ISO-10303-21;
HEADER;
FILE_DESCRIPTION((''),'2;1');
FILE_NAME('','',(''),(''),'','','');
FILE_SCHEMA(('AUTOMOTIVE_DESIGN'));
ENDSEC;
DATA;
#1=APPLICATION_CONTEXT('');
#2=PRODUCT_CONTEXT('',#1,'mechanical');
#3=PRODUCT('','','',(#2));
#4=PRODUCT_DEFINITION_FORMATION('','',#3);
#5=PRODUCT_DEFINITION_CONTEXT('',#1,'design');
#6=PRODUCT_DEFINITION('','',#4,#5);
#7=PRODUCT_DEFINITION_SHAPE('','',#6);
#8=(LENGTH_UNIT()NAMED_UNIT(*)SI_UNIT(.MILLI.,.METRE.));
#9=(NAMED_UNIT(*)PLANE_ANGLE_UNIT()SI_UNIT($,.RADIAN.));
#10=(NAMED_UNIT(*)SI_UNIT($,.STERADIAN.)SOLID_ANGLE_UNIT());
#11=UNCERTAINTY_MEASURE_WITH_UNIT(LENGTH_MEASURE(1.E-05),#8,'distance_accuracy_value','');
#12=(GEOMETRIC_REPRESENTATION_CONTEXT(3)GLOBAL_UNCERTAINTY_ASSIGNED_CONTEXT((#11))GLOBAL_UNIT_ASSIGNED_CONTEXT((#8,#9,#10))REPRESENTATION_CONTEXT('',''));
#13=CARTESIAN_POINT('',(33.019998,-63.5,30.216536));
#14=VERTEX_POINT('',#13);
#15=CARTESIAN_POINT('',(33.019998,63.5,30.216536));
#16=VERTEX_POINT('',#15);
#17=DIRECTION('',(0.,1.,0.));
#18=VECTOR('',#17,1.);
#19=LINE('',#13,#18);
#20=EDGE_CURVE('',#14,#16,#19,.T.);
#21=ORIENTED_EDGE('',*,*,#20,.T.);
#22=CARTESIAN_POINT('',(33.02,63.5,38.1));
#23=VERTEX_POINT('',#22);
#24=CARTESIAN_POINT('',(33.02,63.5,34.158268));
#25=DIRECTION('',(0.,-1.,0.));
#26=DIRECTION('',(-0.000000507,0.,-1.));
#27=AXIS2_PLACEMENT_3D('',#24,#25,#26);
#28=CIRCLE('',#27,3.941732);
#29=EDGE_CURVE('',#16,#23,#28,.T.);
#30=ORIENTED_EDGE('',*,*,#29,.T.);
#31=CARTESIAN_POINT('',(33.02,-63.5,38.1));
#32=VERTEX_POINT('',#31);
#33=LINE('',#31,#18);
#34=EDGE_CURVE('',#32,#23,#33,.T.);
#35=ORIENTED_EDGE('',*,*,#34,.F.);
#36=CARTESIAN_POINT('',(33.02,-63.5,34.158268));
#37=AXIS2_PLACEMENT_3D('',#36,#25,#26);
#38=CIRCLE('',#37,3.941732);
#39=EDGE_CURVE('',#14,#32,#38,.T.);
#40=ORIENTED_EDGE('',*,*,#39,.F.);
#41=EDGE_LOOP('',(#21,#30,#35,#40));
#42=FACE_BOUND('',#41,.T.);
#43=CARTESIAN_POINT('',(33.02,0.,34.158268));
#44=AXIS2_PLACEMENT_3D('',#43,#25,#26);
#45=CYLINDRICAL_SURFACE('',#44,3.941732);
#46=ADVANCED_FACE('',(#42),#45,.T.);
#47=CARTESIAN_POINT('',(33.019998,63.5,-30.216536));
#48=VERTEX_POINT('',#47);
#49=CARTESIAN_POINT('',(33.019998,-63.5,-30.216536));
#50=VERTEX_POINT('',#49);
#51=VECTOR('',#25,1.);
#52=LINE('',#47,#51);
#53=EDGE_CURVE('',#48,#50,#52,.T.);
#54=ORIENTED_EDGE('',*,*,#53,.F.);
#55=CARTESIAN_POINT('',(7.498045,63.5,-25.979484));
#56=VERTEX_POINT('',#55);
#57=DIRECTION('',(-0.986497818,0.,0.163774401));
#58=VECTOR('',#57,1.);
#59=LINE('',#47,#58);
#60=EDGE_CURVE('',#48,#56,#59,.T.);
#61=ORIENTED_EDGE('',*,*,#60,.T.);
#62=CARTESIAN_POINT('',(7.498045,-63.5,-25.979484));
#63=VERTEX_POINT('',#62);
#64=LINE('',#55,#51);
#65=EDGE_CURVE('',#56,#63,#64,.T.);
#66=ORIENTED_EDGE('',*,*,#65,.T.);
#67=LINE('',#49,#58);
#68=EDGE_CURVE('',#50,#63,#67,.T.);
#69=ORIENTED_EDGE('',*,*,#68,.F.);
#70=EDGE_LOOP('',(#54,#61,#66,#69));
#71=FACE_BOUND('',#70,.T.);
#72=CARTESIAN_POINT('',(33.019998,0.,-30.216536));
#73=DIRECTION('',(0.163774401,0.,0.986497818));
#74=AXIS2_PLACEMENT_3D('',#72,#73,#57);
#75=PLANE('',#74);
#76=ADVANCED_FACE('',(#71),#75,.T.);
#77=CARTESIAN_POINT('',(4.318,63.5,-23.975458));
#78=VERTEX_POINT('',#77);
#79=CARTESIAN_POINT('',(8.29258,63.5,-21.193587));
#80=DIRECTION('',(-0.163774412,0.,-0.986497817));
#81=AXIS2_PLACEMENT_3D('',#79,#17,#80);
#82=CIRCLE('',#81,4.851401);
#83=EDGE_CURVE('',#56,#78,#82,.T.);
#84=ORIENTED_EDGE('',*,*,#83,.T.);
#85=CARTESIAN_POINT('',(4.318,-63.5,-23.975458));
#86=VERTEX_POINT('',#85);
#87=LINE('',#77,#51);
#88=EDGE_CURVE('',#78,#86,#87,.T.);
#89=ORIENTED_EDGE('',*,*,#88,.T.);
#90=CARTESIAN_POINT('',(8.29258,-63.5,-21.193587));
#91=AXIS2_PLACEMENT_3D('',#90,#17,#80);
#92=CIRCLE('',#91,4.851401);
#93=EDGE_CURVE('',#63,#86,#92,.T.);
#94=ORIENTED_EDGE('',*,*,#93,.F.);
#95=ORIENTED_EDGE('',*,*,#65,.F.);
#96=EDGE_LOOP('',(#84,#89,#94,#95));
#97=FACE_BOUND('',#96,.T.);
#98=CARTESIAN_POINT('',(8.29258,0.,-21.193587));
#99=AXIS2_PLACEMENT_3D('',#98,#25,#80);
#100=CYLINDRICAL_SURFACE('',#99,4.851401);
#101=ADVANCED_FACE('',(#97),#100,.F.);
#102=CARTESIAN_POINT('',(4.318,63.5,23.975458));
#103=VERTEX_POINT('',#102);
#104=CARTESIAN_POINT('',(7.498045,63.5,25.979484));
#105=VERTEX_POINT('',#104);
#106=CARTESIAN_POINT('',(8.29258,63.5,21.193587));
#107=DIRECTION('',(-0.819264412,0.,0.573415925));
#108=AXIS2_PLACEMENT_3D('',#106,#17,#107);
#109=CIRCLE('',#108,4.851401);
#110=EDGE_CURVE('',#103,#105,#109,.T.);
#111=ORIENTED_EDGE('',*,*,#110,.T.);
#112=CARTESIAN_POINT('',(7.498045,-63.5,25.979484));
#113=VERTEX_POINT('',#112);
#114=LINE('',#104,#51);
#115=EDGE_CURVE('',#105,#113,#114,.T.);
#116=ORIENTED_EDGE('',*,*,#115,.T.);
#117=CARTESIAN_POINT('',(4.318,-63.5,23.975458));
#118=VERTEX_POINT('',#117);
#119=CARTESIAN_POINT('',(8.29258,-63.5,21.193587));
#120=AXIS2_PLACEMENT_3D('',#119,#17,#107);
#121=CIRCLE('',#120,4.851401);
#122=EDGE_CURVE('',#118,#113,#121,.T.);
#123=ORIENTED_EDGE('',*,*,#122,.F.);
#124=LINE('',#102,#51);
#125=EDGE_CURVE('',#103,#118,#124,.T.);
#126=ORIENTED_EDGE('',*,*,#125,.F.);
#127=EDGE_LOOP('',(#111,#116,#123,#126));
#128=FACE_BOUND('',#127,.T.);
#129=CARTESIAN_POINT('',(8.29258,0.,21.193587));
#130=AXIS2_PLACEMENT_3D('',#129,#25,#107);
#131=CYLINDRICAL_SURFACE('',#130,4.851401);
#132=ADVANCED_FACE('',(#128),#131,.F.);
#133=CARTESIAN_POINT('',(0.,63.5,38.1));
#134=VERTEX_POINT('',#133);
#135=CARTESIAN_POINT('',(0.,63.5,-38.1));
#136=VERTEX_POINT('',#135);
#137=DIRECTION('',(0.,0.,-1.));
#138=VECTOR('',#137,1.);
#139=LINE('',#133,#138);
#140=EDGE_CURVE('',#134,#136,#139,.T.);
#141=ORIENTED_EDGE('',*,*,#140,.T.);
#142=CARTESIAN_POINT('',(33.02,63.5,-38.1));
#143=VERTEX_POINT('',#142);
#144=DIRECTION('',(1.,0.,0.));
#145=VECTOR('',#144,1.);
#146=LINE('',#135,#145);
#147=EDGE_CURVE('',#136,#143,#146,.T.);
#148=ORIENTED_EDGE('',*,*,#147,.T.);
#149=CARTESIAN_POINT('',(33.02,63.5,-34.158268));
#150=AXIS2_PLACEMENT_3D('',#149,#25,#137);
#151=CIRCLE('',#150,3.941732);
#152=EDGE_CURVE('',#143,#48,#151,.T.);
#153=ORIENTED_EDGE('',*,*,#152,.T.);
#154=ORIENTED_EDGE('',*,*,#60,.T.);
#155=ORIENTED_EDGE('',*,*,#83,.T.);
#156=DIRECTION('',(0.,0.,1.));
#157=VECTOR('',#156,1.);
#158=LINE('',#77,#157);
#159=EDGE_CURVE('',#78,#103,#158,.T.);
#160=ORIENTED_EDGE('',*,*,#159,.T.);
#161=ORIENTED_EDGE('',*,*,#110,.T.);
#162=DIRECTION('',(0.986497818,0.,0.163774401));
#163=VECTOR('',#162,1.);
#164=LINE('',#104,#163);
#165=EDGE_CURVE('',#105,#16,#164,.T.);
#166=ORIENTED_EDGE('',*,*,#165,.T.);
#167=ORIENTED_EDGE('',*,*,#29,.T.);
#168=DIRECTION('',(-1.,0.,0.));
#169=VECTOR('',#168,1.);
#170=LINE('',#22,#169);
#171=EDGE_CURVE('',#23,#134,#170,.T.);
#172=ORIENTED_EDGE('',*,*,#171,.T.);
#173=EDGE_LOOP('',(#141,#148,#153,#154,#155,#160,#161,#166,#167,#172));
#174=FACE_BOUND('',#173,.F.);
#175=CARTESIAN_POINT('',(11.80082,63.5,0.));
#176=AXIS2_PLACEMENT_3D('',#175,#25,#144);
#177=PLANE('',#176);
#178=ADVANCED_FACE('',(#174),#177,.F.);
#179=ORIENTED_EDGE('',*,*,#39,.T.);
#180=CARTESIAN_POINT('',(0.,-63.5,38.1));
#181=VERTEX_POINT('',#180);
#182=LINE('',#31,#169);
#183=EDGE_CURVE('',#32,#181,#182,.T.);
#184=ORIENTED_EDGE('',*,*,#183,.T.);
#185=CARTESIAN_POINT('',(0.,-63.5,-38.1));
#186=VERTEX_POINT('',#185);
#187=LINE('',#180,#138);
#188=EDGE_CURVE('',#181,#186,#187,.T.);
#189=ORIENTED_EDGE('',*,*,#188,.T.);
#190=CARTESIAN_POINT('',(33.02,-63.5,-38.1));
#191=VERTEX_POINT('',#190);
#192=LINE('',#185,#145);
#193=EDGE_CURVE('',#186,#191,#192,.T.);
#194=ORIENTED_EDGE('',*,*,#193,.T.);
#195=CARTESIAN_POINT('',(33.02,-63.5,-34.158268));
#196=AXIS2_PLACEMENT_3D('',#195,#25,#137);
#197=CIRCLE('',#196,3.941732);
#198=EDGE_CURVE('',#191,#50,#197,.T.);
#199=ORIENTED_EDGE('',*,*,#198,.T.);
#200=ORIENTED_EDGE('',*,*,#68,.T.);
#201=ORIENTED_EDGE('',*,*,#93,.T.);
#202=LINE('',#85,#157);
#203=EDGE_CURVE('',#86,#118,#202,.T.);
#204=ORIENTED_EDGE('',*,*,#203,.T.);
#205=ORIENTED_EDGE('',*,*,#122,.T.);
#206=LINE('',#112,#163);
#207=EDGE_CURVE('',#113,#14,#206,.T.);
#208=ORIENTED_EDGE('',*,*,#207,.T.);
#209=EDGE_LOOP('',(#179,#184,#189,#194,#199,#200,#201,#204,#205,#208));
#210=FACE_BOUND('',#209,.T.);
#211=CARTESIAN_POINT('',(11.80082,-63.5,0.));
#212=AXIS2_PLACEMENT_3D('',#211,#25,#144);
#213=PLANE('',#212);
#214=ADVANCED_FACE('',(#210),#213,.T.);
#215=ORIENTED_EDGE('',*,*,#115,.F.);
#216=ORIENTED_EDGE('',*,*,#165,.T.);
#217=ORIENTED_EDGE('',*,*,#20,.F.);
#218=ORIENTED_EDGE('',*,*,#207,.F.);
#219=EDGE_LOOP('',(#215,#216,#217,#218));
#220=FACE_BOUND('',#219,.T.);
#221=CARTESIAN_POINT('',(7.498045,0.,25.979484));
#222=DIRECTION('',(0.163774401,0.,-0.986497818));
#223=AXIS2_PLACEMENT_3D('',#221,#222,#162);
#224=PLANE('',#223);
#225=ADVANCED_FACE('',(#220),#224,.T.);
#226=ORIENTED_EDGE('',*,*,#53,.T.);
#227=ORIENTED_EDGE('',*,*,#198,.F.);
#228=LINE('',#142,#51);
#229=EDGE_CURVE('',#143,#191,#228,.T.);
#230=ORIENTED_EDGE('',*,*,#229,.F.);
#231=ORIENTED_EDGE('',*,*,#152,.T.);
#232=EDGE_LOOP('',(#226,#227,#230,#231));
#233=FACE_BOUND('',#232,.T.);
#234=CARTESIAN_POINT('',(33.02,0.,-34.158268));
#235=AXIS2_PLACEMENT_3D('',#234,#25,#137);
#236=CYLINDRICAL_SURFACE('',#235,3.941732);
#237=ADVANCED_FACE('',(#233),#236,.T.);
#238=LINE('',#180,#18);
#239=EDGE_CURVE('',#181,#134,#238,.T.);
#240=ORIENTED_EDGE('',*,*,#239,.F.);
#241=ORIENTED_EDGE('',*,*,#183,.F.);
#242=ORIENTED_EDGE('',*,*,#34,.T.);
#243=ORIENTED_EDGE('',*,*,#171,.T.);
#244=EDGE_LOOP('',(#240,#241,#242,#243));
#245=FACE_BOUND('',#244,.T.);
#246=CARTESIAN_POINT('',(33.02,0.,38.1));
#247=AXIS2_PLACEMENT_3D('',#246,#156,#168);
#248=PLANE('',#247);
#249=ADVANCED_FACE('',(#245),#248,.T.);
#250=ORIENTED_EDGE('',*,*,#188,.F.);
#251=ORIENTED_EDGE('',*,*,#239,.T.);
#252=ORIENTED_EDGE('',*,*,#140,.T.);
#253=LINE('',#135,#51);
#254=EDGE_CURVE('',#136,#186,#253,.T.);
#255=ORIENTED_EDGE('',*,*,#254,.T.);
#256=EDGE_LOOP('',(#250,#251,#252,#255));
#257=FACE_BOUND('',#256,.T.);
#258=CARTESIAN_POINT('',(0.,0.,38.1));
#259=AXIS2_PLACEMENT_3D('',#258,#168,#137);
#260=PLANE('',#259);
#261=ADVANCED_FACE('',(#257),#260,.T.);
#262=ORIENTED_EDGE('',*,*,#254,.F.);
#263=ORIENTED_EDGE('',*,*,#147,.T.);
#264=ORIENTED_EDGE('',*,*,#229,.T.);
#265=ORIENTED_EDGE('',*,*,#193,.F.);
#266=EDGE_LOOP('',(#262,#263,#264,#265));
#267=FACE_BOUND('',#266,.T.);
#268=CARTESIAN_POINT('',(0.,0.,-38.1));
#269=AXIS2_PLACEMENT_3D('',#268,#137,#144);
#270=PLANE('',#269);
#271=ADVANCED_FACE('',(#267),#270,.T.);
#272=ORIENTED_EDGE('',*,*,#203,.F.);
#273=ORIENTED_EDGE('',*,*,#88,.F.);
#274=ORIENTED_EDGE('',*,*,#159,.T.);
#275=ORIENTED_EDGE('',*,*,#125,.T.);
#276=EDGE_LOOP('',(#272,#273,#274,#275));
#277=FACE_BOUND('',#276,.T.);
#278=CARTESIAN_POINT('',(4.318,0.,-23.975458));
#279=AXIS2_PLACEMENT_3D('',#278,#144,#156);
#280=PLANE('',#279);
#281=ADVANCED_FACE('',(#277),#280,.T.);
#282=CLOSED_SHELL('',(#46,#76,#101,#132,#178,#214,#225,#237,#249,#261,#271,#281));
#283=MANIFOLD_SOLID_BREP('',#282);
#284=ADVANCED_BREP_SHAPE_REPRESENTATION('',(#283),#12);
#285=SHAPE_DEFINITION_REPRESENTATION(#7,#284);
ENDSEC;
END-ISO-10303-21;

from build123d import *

# Parameters (mm, degrees)
F1_DEPTH = 63.5


with BuildPart() as f1:
    # F0 (on Front) → F1 (new body, symmetric)
    with BuildSketch(Plane.XZ):
        with BuildLine():
            Line((0, 38.1), (0, 0))
            Line((0, 0), (0, -38.1))
            Line((0, -38.1), (33.02, -38.1))
            ThreePointArc((33.02, -38.1), (36.961732, -34.158267), (33.019998, -30.216536))
            Line((33.019998, -30.216536), (7.498045, -25.979484))
            ThreePointArc((7.498045, -25.979484), (5.706049, -25.297969), (4.318, -23.975458))
            Line((4.318, -23.975458), (4.318, 0))
            Line((4.318, 0), (4.318, 23.975458))
            ThreePointArc((4.318, 23.975458), (5.706049, 25.297969), (7.498045, 25.979484))
            Line((7.498045, 25.979484), (33.019998, 30.216536))
            ThreePointArc((33.019998, 30.216536), (36.961732, 34.158267), (33.02, 38.1))
            Line((33.02, 38.1), (0, 38.1))
        make_face()
    extrude(amount=F1_DEPTH, both=True)


solid = f1.part
